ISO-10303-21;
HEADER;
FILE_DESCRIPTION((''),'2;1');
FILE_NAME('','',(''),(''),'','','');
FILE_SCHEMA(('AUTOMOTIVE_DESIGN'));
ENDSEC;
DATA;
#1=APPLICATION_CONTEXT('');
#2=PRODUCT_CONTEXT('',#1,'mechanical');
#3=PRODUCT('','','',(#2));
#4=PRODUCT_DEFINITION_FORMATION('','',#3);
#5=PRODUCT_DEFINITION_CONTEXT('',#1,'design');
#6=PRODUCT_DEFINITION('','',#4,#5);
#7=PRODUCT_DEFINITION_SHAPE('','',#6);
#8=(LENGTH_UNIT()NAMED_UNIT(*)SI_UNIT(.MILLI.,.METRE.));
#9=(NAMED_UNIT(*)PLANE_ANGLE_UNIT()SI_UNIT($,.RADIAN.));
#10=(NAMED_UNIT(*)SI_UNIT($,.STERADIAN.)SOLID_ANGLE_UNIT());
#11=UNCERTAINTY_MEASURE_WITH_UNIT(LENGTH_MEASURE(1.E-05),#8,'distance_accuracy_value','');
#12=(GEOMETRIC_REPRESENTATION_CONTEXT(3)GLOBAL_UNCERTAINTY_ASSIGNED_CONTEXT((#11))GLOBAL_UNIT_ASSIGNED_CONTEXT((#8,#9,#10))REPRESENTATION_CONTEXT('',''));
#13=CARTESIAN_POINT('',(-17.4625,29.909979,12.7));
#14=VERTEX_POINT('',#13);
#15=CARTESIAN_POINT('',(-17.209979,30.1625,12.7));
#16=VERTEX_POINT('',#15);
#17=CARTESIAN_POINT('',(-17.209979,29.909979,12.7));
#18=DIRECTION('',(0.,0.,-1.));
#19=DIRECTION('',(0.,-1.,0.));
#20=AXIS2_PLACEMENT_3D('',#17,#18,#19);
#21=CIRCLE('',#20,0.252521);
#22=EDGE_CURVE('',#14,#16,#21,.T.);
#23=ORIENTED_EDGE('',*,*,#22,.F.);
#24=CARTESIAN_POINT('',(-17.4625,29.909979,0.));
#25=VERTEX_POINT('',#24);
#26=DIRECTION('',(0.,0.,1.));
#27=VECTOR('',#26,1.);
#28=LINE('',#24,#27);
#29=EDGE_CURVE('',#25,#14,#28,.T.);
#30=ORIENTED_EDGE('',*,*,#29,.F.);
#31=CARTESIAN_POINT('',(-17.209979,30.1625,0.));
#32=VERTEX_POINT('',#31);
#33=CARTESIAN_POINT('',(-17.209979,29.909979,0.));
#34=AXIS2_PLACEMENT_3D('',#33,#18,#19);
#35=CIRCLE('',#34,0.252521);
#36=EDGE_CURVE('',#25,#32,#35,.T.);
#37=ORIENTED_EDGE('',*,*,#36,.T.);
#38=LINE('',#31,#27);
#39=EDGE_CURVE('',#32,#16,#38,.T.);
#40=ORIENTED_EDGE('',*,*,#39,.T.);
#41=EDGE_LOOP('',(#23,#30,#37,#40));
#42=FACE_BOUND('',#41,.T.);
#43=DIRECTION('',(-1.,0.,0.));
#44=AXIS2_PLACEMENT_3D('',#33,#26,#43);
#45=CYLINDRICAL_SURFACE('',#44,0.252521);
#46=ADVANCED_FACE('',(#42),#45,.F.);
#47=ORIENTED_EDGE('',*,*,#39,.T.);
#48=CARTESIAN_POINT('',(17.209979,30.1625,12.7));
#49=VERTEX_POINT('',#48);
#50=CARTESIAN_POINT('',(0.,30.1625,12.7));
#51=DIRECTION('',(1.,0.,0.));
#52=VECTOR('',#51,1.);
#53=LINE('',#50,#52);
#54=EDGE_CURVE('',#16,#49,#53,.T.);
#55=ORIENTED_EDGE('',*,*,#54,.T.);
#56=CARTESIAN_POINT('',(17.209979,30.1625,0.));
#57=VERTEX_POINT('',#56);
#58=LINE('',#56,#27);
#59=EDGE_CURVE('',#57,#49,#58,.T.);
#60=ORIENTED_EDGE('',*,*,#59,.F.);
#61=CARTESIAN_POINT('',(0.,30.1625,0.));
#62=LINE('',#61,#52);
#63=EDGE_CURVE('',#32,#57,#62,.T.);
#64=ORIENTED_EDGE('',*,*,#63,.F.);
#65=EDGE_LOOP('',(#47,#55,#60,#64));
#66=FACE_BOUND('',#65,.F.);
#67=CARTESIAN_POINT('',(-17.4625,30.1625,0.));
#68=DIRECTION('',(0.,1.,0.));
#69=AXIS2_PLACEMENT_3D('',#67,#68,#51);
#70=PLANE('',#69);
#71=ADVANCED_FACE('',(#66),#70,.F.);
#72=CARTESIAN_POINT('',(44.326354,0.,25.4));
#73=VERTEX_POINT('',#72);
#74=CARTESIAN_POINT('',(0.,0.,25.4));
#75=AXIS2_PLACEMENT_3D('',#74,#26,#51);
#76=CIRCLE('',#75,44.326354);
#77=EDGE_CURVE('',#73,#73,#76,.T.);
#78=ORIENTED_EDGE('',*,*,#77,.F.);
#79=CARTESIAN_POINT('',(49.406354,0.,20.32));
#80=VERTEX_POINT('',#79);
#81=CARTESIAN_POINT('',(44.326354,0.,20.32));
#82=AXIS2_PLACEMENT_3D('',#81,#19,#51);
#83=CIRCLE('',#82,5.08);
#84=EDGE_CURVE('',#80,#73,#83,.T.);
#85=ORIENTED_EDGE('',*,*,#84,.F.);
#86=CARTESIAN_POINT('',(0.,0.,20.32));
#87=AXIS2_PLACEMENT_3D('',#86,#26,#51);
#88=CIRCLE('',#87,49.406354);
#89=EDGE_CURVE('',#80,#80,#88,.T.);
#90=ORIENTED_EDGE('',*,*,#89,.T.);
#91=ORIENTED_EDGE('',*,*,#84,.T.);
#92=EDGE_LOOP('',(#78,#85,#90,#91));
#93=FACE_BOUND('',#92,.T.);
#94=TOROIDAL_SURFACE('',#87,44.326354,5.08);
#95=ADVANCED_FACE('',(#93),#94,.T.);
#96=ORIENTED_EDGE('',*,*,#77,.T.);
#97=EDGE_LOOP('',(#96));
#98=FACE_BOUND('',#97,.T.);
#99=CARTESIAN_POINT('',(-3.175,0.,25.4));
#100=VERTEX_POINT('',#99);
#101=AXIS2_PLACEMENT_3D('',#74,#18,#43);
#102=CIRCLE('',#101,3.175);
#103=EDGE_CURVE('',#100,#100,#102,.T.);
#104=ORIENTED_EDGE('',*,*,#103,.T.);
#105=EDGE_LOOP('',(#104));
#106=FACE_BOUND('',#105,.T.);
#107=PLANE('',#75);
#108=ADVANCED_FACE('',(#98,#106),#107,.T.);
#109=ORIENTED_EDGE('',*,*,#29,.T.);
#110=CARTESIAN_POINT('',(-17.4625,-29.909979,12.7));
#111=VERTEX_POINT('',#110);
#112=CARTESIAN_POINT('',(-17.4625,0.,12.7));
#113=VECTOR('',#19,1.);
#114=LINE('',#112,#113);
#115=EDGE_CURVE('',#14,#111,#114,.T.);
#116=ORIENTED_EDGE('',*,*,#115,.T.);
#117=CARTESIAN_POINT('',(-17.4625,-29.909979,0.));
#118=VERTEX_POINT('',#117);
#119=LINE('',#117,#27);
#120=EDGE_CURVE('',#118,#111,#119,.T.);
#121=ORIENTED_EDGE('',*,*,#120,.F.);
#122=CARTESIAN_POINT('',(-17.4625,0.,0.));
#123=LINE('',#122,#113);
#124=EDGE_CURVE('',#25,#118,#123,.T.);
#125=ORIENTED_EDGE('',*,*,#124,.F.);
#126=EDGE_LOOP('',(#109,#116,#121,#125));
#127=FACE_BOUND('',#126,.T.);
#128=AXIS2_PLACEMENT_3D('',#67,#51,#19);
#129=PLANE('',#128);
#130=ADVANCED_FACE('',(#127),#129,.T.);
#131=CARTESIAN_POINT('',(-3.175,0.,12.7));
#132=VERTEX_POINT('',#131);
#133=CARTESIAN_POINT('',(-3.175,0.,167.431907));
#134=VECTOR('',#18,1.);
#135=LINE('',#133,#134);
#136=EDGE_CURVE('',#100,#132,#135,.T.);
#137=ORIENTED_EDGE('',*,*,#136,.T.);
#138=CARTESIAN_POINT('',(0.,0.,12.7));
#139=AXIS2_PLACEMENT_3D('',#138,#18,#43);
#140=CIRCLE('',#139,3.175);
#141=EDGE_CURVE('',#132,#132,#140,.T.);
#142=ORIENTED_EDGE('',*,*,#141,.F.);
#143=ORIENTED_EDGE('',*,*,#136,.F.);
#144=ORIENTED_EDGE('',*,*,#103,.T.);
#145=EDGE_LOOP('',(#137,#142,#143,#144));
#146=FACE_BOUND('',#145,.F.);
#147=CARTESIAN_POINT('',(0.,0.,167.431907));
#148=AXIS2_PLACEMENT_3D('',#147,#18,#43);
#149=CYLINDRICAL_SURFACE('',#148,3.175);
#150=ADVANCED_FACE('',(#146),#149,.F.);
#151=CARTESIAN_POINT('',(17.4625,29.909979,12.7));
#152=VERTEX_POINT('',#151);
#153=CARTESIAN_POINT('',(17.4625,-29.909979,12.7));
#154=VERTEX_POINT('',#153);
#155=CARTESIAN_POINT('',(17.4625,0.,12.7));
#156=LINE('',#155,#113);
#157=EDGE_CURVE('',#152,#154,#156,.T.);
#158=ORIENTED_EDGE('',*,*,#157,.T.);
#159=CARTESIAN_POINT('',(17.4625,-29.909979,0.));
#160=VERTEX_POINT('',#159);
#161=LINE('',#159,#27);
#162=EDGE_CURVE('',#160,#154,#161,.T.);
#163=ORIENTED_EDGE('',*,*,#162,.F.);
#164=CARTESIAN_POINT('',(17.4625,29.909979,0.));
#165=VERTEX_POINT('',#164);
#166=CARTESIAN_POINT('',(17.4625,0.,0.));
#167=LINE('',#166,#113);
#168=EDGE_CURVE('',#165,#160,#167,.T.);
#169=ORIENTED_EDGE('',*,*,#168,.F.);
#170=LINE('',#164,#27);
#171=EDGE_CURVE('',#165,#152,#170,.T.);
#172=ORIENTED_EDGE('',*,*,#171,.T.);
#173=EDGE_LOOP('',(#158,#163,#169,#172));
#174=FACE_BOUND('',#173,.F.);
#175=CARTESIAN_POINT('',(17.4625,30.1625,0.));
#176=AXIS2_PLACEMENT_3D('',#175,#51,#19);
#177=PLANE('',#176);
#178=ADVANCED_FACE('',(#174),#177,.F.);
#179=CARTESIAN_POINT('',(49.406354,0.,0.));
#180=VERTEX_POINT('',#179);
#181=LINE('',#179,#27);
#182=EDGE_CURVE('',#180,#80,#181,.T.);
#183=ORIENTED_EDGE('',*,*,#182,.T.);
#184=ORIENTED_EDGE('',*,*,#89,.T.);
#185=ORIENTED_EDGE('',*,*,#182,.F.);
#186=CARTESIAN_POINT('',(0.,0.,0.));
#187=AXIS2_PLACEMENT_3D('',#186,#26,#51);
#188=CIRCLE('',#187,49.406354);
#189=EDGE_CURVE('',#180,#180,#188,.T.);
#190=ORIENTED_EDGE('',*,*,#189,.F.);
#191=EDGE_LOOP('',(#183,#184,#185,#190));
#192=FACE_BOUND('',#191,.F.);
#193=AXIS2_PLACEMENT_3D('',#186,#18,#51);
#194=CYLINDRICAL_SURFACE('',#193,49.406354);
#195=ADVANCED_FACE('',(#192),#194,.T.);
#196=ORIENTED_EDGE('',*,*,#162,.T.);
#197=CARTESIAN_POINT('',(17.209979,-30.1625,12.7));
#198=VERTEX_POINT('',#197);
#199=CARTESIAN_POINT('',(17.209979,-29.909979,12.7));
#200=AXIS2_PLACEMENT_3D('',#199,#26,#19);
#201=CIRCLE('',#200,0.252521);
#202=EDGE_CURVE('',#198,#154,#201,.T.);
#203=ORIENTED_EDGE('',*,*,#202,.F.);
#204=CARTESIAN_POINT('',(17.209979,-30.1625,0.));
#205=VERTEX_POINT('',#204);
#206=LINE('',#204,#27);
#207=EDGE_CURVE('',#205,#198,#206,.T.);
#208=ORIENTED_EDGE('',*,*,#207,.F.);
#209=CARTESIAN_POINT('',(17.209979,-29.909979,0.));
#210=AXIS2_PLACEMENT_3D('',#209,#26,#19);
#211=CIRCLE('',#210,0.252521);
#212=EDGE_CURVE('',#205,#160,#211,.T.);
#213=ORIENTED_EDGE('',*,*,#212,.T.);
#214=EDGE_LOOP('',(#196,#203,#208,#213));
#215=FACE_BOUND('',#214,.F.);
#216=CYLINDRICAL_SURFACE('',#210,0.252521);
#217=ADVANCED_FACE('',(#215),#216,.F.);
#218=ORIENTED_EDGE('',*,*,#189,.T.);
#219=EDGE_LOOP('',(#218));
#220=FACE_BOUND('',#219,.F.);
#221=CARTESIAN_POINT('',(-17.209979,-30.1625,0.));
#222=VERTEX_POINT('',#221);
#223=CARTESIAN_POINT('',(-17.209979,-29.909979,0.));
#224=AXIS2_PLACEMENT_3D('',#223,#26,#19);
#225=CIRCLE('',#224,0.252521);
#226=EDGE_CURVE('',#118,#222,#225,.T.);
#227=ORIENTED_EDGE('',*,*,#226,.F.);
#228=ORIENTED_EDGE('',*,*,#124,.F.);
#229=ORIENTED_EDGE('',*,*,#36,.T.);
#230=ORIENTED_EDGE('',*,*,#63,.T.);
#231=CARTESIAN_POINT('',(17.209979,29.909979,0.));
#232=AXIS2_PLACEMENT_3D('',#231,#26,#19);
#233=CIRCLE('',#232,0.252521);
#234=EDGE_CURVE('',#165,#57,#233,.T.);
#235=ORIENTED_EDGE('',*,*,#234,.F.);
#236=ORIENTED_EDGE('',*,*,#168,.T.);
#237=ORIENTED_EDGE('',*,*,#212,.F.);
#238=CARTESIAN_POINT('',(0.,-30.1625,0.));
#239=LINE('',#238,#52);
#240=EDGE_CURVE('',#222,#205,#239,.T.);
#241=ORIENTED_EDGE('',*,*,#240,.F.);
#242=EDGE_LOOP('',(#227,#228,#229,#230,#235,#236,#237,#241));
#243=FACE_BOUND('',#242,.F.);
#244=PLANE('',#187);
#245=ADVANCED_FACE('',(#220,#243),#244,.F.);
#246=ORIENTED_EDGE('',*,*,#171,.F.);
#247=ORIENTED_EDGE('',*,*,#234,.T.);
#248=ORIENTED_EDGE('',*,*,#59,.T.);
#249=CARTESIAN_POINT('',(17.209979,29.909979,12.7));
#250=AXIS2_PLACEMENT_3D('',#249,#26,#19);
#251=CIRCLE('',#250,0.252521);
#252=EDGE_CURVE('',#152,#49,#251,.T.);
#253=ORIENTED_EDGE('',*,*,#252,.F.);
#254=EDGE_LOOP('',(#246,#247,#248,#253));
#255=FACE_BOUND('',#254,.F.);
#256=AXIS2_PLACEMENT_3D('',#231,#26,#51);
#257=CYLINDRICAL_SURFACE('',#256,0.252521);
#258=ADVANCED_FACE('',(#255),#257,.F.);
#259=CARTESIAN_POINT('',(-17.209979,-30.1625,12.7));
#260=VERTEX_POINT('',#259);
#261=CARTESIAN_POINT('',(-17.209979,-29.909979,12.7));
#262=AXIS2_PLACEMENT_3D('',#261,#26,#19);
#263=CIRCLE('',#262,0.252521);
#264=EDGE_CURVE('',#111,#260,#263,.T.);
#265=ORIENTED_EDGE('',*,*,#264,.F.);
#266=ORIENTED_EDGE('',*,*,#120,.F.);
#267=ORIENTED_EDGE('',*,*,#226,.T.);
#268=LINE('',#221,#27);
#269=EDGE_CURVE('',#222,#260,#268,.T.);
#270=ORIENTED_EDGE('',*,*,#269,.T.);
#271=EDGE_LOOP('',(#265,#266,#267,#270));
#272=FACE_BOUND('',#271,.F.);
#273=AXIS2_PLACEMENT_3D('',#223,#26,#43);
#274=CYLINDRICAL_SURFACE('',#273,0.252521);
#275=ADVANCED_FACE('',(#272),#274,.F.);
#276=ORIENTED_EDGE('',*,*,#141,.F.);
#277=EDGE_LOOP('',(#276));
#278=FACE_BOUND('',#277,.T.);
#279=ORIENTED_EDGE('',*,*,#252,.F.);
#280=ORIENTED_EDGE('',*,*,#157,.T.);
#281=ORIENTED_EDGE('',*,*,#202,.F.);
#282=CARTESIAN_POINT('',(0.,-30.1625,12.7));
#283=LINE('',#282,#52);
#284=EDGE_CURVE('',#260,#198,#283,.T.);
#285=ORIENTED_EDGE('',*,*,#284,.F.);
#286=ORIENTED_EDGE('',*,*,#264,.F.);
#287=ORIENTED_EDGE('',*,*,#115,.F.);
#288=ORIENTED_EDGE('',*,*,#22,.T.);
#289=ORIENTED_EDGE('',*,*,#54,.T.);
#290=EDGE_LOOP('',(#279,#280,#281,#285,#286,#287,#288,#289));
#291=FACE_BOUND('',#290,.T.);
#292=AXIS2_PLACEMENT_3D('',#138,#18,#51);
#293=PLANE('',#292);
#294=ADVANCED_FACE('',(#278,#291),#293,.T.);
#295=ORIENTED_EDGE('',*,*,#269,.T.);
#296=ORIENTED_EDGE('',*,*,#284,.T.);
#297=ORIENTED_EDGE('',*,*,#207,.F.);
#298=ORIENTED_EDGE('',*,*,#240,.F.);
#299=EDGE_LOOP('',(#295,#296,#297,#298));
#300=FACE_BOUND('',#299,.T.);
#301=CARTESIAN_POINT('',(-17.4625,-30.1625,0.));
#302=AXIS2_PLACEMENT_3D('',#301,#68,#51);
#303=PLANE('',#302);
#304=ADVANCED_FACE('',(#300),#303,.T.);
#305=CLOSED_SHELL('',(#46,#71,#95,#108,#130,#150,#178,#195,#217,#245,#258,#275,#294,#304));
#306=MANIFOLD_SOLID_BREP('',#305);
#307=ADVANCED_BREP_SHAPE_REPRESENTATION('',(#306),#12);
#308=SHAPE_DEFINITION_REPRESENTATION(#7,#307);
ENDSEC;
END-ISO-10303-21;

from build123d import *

# Parameters (mm, degrees)
F0_R     = 49.406354
F1_DEPTH = 25.4
F3_D     = 6.35
F4_W     = 34.925
F4_H     = 60.325
F5_DEPTH = 12.7
F6_R     = 5.08
F7_R     = 0.252521


with BuildPart() as f1:
    # F0 (on Top) → F1 (new body)
    with BuildSketch(Plane.XY):
        Circle(F0_R)
    extrude(amount=F1_DEPTH)

    # F3 (through all)
    with Locations(Plane.XY.offset(25.4)):
        with Locations((0, 0)):
            Hole(F3_D / 2)

    # F4 (on face) → F5 (cut)
    with BuildSketch(Plane(origin=(0, 0, 0), x_dir=(1, 0, 0), z_dir=(0, 0, -1))):
        Rectangle(F4_W, F4_H)
    extrude(amount=-F5_DEPTH, mode=Mode.SUBTRACT)

    # F6
    f6_edges = [f1.edges().sort_by_distance(p)[0] for p in [
        (-49.406354, 0, 25.4),
    ]]
    fillet(f6_edges, radius=F6_R)

    # F7
    f7_edges = [f1.edges().sort_by_distance(p)[0] for p in [
        (-17.4625, 30.1625, 6.35),
        (17.4625, 30.1625, 6.35),
        (-17.4625, -30.1625, 6.35),
        (17.4625, -30.1625, 6.35),
    ]]
    fillet(f7_edges, radius=F7_R)


solid = f1.part
